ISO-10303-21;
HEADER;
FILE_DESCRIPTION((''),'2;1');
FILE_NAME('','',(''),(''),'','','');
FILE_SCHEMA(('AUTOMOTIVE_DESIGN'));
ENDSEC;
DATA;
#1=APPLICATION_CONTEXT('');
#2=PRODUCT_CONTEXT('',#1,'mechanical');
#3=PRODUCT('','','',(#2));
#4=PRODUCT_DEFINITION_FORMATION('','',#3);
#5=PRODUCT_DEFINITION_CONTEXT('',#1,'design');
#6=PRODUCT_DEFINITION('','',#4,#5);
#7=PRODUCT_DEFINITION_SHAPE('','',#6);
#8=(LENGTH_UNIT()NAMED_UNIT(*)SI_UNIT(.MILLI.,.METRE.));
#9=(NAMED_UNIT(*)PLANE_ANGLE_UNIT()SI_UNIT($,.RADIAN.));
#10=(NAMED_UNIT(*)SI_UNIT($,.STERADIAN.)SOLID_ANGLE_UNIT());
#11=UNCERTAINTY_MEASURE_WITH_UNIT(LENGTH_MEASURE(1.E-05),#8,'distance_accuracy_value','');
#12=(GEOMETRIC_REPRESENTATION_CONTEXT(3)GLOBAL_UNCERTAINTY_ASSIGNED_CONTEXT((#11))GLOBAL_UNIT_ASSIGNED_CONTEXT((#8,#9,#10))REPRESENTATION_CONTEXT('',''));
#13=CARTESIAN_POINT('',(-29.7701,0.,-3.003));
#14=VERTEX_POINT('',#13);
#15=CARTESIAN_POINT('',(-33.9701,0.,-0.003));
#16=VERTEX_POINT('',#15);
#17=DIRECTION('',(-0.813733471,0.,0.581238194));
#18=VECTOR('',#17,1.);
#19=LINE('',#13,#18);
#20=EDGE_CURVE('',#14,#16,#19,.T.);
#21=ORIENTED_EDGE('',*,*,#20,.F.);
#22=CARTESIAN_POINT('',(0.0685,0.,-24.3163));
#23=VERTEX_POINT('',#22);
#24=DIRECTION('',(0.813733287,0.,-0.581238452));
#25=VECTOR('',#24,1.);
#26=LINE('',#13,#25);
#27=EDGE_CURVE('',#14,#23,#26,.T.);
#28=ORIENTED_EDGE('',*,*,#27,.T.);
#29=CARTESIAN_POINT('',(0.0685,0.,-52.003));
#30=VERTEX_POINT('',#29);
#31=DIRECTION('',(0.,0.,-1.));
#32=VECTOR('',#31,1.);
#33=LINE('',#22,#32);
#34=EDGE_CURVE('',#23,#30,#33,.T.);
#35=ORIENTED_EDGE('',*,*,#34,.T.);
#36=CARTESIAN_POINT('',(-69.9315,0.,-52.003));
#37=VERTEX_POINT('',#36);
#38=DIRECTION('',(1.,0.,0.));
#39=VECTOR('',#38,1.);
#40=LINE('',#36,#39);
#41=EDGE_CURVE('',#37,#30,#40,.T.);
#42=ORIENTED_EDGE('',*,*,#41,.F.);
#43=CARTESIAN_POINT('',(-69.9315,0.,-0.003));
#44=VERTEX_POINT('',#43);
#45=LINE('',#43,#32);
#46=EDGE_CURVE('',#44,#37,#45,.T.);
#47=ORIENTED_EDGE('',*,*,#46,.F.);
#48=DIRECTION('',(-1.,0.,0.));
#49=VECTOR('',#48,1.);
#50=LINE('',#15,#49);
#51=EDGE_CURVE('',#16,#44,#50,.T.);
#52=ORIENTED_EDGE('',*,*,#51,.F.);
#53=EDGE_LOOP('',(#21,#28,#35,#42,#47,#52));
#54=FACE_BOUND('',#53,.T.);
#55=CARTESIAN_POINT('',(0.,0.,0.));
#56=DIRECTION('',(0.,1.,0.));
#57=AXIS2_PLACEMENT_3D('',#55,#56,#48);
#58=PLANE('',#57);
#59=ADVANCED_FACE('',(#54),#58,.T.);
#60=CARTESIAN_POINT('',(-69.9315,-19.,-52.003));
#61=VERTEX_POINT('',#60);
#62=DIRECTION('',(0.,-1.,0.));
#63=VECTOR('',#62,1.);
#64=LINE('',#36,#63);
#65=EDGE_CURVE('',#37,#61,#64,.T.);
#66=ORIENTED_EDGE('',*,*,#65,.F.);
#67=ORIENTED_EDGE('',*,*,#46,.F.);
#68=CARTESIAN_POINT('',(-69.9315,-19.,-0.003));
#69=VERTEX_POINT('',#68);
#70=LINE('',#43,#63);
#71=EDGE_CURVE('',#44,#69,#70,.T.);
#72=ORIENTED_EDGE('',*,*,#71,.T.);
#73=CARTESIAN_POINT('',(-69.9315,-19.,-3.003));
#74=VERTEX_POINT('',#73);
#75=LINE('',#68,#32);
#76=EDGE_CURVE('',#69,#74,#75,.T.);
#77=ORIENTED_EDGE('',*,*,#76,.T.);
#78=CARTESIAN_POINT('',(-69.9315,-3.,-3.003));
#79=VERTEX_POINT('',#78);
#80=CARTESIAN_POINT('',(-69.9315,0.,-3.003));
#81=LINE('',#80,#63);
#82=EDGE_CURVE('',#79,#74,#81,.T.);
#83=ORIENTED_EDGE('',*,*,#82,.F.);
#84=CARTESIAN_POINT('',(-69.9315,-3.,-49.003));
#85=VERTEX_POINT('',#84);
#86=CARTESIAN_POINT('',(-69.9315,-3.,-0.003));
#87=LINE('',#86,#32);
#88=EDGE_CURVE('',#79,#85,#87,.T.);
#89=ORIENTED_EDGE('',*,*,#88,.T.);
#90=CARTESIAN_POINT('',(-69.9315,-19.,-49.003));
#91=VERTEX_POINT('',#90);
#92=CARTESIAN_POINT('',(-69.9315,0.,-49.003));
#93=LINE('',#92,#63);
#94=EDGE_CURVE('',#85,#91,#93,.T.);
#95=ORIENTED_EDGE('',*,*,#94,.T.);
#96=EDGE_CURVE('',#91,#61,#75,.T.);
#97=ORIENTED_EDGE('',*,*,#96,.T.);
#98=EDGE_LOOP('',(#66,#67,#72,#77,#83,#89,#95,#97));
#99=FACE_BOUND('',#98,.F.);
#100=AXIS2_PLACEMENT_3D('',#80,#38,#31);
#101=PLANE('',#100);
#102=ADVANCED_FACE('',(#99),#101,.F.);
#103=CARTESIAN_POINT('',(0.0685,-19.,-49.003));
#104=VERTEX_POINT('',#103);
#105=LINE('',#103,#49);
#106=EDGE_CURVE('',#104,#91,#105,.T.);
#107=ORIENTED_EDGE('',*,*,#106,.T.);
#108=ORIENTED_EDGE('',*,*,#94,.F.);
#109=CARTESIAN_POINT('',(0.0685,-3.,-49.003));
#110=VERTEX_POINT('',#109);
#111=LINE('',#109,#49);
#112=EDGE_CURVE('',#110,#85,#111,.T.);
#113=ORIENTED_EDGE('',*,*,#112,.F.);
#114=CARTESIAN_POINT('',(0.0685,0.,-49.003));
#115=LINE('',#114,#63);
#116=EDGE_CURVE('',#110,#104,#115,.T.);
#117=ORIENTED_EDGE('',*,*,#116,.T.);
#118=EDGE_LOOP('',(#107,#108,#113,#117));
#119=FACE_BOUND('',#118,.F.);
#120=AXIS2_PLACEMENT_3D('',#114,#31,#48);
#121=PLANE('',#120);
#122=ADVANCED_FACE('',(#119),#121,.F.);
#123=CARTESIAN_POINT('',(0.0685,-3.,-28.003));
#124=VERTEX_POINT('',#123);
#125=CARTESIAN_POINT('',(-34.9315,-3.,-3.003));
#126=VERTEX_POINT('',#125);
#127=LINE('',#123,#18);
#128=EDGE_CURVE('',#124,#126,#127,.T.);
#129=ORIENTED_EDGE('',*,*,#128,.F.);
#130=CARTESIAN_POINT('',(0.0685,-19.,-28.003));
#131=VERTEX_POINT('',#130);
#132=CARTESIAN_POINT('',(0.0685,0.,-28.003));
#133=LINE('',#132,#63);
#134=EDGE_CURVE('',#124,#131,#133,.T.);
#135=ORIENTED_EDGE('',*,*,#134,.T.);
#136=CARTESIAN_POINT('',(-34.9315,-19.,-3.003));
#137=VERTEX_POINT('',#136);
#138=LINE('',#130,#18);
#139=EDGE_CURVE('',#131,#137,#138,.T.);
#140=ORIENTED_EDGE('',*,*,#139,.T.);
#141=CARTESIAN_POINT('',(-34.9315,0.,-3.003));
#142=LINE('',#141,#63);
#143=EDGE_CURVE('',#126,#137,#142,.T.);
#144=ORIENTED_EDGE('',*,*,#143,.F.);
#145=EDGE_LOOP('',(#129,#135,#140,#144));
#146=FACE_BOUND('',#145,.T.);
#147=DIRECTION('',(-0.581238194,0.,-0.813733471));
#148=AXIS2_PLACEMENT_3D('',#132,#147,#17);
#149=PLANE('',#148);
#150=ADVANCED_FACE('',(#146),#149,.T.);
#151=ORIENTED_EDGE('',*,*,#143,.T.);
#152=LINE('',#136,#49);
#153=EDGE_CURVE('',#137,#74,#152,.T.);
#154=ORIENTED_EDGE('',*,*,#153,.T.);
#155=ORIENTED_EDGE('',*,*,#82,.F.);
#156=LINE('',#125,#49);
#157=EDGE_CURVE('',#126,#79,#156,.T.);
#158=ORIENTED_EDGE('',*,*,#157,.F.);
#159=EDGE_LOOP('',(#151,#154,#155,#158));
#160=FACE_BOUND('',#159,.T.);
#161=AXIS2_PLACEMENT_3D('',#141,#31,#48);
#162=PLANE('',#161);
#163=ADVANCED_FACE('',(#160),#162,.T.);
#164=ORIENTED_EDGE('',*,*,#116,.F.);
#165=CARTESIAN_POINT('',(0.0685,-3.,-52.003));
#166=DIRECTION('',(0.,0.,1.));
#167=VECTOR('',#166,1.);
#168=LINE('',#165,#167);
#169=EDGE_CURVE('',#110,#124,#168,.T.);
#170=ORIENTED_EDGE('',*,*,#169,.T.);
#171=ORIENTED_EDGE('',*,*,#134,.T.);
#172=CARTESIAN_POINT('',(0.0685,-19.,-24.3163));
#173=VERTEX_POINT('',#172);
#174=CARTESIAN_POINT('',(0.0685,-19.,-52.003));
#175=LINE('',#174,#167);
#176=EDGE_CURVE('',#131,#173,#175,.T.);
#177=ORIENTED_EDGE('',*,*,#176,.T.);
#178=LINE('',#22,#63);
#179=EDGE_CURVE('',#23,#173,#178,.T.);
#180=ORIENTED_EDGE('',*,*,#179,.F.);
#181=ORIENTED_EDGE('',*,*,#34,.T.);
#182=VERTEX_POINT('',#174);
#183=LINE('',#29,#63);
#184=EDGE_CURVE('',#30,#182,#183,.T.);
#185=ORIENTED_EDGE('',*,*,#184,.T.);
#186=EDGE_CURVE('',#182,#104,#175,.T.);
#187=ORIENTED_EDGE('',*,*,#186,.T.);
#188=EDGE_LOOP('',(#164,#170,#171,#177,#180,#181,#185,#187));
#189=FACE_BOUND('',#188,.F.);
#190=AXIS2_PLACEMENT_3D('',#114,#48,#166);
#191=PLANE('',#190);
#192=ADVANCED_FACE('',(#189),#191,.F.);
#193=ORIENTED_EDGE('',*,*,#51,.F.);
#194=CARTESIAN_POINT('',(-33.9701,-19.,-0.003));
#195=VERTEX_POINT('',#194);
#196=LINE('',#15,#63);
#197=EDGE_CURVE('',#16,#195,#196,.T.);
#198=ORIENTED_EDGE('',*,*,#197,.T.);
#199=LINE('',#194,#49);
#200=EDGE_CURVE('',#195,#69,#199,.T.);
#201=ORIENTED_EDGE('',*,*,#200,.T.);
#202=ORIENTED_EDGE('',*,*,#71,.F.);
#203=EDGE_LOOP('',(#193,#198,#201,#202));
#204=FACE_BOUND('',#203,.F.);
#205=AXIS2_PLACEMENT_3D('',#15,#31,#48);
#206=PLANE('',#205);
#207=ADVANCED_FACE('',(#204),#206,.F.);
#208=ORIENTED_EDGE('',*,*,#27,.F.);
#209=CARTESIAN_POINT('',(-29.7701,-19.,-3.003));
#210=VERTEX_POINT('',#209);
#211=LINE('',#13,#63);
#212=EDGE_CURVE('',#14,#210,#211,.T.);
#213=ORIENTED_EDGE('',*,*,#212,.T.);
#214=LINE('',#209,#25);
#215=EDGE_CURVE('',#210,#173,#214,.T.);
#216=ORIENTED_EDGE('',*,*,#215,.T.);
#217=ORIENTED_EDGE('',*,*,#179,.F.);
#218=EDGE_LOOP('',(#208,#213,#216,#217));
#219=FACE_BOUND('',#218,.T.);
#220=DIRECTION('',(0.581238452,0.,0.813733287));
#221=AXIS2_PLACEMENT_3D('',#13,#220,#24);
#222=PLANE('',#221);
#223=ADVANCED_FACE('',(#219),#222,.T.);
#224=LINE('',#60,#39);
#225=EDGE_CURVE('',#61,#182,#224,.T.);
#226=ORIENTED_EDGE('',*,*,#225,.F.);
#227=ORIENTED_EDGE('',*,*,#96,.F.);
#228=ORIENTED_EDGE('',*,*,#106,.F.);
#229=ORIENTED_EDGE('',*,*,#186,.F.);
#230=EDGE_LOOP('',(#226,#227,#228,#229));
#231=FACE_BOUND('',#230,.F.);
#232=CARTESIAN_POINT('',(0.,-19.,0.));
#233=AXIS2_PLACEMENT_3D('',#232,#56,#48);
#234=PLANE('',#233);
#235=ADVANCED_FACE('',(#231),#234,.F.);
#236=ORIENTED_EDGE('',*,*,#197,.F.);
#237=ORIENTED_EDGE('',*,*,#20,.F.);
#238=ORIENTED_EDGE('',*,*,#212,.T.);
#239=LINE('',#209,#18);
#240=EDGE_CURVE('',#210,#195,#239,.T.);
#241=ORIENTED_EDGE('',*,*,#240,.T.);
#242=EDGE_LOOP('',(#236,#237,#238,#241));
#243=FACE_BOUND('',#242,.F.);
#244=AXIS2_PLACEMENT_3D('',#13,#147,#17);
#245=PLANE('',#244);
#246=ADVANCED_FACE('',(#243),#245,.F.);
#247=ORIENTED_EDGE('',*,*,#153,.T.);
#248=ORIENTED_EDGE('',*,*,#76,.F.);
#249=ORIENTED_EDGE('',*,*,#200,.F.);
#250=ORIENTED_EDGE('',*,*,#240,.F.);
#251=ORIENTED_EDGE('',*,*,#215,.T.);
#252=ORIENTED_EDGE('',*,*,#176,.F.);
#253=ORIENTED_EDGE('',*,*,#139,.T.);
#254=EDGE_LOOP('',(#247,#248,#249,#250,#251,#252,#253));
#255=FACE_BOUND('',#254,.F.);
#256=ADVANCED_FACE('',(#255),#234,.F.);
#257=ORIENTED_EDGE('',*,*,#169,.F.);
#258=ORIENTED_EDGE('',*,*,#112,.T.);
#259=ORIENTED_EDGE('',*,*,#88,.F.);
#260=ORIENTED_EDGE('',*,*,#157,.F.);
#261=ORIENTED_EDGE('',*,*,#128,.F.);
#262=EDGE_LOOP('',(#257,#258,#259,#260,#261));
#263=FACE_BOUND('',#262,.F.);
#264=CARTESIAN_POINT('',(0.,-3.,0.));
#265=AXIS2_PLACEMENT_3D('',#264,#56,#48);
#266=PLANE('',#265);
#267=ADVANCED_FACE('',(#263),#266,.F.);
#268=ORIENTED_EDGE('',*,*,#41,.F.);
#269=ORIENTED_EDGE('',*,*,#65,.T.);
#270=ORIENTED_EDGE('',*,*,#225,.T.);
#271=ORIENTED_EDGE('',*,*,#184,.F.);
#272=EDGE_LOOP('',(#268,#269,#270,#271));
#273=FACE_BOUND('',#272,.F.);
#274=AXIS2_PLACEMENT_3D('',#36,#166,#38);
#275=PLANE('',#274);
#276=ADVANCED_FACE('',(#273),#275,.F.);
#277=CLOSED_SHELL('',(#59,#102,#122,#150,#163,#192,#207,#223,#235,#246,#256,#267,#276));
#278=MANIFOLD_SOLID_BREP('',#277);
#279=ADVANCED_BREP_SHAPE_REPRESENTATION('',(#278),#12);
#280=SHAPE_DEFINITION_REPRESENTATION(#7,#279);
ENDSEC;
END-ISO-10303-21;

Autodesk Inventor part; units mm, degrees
ref_plane "YZ Plane" through (0, 0, 0) normal (1, 0, 0) x (0, 1, 0)
ref_plane "XZ Plane" through (0, 0, 0) normal (0, 1, 0) x (-1, 0, 0)
ref_plane "XY Plane" through (0, 0, 0) normal (0, 0, 1) x (1, 0, 0)
sketch "Sketch1" plane through (0, 0, 0) normal (0, 1, 0) x (-1, 0, 0)
  line L0 (33.9701, -0.003) -> (69.9315, -0.003)
  line L1 (69.9315, -0.003) -> (69.9315, -52.003)
  line L2 (69.9315, -52.003) -> (-0.0685, -52.003)
  line L3 (-0.0685, -49.003) -> (69.9315, -49.003)
  line L4 (34.9315, -3.003) -> (69.9315, -3.003)
  line L5 (-0.0685, -28.003) -> (34.9315, -3.003)
  line L6 (29.7701, -3.003) -> (-0.0685, -24.3163)
  line L7 (-0.0685, -52.003) -> (-0.0685, -24.3163)
  line L8 (29.7701, -3.003) -> (33.9701, -0.003)
  point P0 (0, 0)
  dimension "d0" = 70
  dimension "d1" = 52
  dimension "d2" = 3
  dimension "d3" = 3
  dimension "d4" = 3
  dimension "d5" = 21
extrude "Extrusion1" add sketch "Sketch1" against normal blind 19 contours L0 L1 L4 L5 L7 L6 L8 | L1 L2 L7 L3
extrude "Extrusion2" add sketch "Sketch1" against normal blind 3 contours L1 L3 L7 L5 L4
properties part number "Cooling Fan Shroud"
